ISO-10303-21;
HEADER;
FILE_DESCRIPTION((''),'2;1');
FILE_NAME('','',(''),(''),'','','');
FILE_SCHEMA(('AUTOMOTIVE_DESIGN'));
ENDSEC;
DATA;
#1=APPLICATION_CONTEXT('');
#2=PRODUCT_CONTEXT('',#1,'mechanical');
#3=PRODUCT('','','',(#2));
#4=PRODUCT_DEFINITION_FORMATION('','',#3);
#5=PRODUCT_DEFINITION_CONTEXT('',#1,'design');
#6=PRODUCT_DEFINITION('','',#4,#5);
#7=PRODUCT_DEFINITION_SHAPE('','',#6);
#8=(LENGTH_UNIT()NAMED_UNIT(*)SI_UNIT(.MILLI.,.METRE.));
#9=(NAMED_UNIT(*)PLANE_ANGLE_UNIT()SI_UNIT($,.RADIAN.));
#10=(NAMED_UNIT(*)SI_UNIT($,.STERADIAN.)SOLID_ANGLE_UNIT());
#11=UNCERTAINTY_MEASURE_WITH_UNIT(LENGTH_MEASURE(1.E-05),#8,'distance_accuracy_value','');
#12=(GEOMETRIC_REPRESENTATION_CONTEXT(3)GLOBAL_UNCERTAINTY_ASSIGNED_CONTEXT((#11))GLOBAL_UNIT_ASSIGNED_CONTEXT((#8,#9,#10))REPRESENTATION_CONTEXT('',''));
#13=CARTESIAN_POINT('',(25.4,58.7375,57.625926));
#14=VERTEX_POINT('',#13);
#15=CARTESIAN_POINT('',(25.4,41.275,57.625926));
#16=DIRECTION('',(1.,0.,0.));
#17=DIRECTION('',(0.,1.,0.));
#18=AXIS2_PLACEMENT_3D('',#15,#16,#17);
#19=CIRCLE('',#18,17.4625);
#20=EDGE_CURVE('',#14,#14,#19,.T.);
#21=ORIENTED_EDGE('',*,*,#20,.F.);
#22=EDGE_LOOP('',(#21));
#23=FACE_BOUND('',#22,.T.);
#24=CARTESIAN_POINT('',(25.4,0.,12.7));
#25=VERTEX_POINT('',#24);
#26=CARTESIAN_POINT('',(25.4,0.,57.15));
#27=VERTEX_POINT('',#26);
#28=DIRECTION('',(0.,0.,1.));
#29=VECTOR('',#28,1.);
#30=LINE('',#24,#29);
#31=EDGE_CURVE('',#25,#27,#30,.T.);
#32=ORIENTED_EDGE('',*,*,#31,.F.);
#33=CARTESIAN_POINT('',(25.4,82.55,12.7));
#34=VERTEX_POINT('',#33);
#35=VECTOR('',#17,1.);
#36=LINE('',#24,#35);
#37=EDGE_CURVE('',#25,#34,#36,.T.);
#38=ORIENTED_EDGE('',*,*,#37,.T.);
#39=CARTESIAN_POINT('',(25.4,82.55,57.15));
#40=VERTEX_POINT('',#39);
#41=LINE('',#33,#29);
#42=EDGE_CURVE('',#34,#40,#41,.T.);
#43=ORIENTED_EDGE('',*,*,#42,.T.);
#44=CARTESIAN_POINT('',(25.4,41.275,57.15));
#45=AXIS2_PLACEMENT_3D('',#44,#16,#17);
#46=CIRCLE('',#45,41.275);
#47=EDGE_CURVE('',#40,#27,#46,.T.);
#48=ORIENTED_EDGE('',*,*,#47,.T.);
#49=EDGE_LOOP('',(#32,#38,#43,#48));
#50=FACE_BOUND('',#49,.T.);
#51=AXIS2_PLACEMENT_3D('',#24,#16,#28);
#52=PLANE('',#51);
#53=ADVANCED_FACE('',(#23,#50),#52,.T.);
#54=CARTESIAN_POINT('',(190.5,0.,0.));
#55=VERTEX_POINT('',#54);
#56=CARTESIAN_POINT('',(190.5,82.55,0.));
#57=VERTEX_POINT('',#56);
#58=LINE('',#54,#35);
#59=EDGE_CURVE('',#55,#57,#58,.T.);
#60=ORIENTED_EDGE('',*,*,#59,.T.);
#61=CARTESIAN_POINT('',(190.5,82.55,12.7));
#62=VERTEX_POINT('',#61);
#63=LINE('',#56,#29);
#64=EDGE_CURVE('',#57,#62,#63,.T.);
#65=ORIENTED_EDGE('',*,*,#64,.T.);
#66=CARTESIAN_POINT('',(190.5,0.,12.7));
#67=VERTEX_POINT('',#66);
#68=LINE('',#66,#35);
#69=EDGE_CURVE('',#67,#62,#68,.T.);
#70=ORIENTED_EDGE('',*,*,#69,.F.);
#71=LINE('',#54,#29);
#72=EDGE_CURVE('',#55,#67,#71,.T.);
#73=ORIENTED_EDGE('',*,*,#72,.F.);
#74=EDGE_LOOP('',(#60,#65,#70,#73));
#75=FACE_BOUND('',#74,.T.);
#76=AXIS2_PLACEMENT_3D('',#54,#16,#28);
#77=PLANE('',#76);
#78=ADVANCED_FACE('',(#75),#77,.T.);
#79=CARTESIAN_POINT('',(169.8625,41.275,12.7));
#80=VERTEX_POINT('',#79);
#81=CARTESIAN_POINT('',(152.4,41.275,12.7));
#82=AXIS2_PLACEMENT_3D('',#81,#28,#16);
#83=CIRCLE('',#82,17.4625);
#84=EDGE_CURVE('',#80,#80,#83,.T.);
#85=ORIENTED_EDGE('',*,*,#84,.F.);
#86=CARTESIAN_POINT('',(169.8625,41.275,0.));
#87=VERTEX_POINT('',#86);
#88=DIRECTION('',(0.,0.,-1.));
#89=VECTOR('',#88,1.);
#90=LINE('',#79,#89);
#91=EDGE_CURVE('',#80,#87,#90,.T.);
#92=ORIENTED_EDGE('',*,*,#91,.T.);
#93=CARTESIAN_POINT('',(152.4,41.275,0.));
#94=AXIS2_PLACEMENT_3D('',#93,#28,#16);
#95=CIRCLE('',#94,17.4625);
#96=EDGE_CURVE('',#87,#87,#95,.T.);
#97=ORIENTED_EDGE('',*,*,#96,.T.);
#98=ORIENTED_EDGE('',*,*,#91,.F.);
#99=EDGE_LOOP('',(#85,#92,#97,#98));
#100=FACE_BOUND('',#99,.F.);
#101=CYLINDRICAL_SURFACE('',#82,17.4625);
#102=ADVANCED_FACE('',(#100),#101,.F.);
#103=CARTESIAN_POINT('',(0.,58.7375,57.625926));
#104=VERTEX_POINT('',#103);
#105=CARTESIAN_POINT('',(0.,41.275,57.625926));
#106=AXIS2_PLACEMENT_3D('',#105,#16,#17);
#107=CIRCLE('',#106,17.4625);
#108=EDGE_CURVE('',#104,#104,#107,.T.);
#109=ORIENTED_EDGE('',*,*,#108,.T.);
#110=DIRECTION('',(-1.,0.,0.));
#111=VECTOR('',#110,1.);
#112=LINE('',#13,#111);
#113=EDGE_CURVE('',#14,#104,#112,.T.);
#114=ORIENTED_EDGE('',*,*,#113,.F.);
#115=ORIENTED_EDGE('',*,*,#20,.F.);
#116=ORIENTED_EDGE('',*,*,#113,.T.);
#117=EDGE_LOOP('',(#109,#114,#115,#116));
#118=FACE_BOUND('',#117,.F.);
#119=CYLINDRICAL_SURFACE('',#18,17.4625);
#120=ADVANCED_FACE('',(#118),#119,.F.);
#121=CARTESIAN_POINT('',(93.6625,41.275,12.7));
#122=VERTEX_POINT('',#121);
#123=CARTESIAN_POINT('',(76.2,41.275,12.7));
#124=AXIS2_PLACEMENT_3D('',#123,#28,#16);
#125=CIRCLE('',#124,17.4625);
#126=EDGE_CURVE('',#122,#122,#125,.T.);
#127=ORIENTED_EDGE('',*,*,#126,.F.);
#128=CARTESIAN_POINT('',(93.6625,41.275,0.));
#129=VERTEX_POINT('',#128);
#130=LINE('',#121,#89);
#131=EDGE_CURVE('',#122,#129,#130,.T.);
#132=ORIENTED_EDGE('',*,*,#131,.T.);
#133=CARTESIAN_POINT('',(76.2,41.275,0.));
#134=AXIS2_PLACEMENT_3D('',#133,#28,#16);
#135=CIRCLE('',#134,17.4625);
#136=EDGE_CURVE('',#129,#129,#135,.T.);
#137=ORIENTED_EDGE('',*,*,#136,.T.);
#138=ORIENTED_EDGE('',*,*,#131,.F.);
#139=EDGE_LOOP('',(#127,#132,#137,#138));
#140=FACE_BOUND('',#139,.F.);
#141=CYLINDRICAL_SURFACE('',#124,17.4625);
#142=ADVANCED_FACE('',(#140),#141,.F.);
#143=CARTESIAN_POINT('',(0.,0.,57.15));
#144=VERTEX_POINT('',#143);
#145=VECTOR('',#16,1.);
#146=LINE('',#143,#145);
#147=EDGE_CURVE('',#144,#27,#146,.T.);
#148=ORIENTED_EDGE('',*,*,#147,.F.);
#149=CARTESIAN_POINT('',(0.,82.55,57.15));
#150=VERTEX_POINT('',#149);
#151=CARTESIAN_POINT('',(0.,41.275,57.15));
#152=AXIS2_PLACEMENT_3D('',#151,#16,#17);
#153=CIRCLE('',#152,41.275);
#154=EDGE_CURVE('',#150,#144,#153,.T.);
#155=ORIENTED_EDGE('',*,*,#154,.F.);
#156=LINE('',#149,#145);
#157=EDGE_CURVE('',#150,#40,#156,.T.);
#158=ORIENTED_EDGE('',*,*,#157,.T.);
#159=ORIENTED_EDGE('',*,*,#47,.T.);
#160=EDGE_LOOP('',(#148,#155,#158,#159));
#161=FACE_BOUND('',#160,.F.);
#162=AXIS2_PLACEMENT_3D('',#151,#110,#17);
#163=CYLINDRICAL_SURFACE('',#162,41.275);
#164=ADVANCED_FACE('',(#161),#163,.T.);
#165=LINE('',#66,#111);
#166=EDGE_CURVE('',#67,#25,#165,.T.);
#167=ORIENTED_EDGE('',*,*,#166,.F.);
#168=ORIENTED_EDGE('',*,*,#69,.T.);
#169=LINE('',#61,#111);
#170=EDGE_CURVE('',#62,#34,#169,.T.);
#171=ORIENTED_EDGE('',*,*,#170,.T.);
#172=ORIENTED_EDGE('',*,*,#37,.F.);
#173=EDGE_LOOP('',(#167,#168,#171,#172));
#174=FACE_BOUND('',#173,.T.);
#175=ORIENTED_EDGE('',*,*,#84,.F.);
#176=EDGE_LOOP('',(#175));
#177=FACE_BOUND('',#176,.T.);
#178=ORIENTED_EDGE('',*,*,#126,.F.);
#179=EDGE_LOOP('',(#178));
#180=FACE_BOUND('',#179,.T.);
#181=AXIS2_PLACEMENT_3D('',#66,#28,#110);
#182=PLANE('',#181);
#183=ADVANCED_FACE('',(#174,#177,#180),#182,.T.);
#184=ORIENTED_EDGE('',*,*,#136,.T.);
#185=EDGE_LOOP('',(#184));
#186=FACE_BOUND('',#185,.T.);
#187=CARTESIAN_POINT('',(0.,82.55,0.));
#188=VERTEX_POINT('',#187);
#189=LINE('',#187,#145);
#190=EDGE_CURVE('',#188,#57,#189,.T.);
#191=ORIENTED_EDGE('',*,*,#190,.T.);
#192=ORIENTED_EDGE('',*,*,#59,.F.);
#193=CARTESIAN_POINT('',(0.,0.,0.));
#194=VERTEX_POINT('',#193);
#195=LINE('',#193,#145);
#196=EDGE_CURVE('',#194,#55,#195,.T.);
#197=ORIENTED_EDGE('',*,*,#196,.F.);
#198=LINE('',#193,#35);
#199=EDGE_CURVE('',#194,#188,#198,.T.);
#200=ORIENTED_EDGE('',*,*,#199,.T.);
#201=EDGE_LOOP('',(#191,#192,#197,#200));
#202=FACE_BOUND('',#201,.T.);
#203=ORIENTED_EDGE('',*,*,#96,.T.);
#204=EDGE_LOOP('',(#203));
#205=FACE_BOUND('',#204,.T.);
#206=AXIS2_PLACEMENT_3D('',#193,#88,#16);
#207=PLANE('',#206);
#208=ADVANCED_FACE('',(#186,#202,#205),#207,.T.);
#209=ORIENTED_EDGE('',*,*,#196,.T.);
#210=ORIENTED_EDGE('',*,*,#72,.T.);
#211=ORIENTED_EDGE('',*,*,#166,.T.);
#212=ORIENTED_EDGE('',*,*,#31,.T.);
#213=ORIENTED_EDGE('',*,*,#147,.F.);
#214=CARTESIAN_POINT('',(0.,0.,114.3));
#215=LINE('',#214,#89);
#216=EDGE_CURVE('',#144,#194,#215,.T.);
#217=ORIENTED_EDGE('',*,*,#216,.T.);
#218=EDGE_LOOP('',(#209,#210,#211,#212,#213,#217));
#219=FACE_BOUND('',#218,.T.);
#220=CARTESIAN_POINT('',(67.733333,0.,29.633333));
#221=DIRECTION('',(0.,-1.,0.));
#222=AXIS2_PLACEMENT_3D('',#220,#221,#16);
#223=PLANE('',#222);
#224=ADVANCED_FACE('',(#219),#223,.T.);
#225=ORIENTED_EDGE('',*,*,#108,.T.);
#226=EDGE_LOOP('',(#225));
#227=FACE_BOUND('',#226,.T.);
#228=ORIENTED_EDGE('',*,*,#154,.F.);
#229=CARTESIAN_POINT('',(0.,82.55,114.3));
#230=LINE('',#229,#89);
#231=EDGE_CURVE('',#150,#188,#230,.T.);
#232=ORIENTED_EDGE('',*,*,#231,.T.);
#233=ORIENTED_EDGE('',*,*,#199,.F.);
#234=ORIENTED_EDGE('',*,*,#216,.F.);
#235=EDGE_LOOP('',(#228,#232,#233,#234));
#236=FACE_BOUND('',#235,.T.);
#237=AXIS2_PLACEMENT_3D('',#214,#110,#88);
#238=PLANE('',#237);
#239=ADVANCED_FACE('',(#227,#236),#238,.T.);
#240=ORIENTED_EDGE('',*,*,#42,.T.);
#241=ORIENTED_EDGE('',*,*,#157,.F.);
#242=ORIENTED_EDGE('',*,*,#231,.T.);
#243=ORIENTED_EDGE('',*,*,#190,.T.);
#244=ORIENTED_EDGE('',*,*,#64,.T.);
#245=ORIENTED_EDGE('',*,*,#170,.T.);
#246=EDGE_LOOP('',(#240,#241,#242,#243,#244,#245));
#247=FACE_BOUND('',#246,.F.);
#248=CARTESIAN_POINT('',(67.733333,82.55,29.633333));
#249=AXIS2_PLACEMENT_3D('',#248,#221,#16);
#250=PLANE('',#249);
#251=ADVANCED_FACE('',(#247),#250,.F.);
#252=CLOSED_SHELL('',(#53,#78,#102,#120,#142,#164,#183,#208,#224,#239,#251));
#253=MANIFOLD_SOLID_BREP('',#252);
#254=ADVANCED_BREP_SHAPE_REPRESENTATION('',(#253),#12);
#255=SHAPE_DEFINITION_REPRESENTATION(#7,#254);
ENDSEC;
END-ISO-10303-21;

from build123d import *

# Parameters (mm, degrees)
F1_DEPTH = 82.55
F2_R     = 17.4625
F3_DEPTH = 12.7
F6_DEPTH = 25.4
F7_R     = 17.4625
F8_DEPTH = 25.4


with BuildPart() as f1:
    # F0 (on Front) → F1 (new body)
    with BuildSketch(Plane.XZ):
        Polygon((0, 114.3), (0, 0), (190.5, 0), (190.5, 12.7), (25.4, 12.7), (25.4, 114.3), align=None)
    extrude(amount=-F1_DEPTH)

    # F2 (on face) → F3 (cut)
    with BuildSketch(Plane.XY.offset(12.7)):
        with Locations((76.2, 41.275)):
            Circle(F2_R)
        with Locations((152.4, 41.275)):
            Circle(F2_R)
    extrude(amount=-F3_DEPTH, mode=Mode.SUBTRACT)

    # F5 (on face) → F6 (cut)
    with BuildSketch(Plane(origin=(0, 0, 0), x_dir=(0, -1, 0), z_dir=(-1, 0, 0))):
        with BuildLine():
            ThreePointArc((-82.55, 57.15), (-41.275, 98.425), (0, 57.15))
            Line((0, 57.15), (0, 114.3))
            Line((0, 114.3), (-82.55, 114.3))
            Line((-82.55, 114.3), (-82.55, 57.15))
        make_face()
    extrude(amount=-F6_DEPTH, mode=Mode.SUBTRACT)

    # F7 (on face) → F8 (cut, through all)
    with BuildSketch(Plane.YZ.offset(25.4)):
        with Locations((41.275, 57.625926)):
            Circle(F7_R)
    extrude(amount=-F8_DEPTH, mode=Mode.SUBTRACT)


solid = f1.part
